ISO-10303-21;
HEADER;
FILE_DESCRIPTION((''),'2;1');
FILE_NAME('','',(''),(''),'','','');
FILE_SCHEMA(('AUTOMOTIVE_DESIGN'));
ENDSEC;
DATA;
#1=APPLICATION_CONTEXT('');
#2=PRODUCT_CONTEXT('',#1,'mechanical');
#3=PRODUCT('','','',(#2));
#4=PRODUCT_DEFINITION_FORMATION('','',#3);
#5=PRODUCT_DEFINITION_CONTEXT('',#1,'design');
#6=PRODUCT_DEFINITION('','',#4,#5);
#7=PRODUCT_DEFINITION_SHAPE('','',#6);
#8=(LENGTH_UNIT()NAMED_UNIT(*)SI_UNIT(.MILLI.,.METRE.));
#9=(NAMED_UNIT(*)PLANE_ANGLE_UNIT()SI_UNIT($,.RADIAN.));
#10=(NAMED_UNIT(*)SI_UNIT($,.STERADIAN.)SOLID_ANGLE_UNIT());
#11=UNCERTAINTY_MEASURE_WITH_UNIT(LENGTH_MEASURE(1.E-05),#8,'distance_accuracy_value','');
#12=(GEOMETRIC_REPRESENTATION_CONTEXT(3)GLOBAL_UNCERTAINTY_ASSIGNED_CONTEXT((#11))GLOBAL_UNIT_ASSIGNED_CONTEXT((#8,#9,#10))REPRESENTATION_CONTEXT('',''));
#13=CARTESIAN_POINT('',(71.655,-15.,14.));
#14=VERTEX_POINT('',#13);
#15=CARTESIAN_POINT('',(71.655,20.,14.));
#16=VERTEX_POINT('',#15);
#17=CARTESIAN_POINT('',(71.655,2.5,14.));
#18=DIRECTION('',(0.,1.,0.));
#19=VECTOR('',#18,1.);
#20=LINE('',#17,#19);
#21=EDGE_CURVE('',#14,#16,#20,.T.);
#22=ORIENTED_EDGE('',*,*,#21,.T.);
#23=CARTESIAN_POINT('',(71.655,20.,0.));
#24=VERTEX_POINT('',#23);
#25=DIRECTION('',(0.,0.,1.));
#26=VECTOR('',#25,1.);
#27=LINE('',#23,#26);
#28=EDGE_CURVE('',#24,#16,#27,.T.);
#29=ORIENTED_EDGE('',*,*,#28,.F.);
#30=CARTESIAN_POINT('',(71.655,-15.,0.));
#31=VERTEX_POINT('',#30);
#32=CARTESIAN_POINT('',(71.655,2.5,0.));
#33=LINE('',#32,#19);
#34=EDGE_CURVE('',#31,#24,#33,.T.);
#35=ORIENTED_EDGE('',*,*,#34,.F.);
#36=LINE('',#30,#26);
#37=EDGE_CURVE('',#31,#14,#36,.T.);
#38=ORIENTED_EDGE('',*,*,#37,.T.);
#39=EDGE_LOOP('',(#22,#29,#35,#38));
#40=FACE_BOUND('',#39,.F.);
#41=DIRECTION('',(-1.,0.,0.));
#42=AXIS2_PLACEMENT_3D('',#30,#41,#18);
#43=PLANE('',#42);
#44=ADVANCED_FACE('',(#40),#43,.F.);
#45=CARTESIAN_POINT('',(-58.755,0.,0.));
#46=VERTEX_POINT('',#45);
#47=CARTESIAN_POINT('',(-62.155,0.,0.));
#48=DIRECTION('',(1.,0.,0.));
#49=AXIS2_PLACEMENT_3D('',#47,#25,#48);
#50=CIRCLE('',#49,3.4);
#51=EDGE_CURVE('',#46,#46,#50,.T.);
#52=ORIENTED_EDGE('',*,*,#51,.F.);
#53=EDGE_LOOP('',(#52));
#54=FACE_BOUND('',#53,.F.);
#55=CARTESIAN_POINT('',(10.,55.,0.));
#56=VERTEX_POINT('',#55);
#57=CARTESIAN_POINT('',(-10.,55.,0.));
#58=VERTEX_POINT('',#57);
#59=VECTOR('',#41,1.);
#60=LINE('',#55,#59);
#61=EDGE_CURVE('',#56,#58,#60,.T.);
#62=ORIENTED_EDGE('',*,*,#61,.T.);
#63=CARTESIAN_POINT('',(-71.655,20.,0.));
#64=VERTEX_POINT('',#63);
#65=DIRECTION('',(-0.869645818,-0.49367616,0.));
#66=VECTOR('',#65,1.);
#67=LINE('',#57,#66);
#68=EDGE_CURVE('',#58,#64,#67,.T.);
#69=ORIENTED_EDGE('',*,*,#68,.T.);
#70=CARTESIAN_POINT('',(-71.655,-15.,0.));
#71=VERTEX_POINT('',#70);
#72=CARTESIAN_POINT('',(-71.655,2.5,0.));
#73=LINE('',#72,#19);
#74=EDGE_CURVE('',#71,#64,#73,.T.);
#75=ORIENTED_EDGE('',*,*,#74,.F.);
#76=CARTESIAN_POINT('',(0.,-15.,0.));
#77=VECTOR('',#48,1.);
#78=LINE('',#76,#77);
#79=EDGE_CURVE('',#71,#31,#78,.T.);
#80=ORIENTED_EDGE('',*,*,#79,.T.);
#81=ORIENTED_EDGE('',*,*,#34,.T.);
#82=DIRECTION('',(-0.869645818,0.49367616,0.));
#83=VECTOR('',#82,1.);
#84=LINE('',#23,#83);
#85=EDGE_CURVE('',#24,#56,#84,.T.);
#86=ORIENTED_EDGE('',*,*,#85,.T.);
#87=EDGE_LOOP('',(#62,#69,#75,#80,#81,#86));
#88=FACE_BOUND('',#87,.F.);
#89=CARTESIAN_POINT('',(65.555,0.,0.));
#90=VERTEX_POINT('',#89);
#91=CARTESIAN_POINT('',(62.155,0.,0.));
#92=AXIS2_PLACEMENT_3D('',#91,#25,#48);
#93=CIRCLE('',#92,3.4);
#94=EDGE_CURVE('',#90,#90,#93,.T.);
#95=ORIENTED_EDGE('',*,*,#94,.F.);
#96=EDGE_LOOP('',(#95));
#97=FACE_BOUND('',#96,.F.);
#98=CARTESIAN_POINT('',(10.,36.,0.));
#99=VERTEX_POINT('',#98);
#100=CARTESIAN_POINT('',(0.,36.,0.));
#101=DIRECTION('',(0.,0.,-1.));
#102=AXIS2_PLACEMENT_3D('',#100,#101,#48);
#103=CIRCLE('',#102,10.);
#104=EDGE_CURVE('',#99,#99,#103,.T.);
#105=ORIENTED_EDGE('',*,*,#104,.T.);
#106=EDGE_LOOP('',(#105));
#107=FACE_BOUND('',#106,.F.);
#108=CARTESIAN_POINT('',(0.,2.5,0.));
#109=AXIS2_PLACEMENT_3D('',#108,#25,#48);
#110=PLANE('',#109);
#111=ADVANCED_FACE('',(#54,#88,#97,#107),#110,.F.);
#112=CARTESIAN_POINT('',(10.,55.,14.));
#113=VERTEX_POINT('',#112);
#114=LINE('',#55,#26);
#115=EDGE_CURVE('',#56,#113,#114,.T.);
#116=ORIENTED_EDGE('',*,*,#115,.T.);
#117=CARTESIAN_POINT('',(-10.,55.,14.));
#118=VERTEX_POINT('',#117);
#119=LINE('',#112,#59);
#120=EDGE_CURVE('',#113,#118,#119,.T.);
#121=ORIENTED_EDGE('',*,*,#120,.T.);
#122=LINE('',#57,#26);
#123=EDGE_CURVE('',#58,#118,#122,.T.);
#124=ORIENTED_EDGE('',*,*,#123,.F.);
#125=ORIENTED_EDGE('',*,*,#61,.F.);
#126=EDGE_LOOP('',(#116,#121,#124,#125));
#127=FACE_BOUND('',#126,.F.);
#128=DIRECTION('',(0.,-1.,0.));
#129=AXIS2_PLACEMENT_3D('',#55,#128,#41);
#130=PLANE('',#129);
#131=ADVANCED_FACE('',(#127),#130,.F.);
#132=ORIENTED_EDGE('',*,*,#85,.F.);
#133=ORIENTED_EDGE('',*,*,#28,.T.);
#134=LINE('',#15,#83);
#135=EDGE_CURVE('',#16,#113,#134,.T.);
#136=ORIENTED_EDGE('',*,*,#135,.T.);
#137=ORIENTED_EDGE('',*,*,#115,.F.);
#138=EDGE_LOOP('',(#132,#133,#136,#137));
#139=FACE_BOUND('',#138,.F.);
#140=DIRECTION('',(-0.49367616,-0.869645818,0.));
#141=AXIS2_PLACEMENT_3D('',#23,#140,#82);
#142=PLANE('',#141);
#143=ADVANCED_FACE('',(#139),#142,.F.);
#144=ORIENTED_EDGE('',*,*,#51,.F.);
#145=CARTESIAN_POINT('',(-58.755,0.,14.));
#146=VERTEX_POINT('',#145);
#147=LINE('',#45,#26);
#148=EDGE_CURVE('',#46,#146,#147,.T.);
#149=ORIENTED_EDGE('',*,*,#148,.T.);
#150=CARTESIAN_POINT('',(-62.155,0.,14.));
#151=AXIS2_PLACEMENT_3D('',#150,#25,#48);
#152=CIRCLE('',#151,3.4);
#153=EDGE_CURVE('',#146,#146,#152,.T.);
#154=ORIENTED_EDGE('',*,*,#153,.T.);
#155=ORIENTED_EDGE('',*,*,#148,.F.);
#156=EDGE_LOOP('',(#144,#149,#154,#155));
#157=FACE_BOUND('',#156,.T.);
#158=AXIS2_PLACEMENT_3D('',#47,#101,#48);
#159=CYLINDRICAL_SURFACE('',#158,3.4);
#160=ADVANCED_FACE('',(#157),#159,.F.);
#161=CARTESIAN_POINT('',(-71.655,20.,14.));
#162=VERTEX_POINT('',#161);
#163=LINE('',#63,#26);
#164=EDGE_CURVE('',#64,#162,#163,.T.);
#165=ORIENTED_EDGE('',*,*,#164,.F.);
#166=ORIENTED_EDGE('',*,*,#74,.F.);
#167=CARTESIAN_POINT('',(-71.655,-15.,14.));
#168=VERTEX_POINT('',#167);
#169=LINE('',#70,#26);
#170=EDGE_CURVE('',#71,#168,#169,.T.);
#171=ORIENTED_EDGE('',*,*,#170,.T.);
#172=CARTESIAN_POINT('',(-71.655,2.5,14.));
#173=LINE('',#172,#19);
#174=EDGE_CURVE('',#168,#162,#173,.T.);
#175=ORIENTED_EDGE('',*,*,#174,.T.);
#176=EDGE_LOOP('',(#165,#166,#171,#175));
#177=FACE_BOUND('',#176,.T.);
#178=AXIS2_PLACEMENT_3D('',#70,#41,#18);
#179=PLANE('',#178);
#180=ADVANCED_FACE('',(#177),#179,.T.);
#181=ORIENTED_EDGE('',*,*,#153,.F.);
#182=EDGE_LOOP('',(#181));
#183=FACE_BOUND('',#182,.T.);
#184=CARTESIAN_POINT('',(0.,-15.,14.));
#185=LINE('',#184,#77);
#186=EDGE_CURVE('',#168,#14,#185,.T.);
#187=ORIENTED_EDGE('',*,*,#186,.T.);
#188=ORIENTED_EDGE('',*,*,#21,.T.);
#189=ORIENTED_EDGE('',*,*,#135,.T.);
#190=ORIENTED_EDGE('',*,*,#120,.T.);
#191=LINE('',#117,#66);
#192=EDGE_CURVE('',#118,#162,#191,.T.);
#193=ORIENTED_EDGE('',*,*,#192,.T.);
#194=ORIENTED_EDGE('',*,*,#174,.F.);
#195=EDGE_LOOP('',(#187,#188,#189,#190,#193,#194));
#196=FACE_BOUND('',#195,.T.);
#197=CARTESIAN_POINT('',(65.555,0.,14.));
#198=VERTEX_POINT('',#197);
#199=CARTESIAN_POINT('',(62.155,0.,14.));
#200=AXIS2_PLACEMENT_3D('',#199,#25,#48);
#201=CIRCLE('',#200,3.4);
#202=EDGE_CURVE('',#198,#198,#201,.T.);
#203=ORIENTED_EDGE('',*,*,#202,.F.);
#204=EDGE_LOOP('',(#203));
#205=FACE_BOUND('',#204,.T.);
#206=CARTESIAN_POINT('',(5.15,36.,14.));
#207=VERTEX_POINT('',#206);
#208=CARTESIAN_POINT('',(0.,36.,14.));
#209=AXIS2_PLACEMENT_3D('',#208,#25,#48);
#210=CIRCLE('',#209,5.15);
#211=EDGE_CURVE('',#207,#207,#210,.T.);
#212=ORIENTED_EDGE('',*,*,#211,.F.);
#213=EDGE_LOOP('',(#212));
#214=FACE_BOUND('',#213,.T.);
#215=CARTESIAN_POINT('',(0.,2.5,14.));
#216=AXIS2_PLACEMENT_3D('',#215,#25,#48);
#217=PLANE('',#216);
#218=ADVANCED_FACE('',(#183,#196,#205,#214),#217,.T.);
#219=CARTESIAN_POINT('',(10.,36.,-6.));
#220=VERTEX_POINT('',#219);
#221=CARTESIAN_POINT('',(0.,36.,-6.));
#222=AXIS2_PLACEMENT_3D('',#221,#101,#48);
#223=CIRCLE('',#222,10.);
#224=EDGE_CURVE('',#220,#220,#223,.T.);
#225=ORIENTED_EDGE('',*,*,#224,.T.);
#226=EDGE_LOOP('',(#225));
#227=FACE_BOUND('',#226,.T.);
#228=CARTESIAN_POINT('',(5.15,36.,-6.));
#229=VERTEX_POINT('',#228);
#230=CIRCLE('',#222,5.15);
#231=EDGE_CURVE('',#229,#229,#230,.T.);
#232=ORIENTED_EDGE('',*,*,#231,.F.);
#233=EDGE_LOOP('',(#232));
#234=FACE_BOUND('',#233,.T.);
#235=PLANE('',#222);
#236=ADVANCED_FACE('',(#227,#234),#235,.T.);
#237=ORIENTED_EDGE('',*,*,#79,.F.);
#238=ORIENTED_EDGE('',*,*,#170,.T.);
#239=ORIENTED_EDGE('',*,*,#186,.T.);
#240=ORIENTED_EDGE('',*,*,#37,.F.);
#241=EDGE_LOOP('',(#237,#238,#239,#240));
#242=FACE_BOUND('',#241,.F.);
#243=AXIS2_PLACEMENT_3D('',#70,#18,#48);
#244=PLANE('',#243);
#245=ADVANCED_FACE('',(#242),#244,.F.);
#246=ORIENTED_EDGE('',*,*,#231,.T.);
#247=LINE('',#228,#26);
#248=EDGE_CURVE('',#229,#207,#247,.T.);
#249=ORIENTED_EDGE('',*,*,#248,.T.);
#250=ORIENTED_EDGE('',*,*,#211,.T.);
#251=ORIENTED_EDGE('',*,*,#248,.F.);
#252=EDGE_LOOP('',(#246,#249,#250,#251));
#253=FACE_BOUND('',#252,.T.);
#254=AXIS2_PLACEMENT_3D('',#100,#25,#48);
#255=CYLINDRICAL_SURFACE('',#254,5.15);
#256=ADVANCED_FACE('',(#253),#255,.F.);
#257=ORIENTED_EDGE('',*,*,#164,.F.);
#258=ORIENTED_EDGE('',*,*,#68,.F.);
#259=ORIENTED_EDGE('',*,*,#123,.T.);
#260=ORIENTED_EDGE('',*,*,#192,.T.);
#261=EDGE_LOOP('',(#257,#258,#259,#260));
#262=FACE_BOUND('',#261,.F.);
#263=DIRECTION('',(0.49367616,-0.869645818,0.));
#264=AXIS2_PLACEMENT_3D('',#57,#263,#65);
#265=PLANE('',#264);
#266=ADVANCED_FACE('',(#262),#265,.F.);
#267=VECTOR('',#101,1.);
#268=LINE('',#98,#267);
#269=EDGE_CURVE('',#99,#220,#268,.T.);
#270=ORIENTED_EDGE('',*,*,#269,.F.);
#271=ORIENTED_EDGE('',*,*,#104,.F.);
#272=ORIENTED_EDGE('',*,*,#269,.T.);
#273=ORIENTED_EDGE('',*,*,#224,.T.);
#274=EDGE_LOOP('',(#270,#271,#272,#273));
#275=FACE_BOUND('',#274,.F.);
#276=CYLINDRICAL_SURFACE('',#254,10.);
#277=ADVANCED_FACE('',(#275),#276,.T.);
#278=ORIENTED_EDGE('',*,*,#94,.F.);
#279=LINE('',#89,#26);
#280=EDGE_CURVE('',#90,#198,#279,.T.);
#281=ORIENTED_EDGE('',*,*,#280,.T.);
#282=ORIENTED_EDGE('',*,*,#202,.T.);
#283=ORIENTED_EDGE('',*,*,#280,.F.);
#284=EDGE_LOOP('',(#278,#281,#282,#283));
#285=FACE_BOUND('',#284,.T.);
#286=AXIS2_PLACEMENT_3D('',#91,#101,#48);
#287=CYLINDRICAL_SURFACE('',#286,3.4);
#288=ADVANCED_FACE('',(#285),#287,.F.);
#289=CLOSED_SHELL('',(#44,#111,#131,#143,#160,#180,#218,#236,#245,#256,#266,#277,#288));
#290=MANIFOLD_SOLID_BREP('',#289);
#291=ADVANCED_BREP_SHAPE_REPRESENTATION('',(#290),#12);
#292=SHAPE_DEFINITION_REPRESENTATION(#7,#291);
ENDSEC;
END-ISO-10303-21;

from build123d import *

# Parameters (mm, degrees)
F0_W     = 143.31
F0_H     = 35
F0_R     = 3.4
F0_R_2   = 5.15
F1_DEPTH = 14
F2_R     = 10
F2_R_2   = 5.15
F3_DEPTH = 6


with BuildPart() as f1:
    # F0 (on Top) → F1 (new body)
    with BuildSketch(Plane.XY):
        with Locations((0, 2.5)):
            Rectangle(F0_W, F0_H)
        with Locations((-62.155, 0)):
            Circle(F0_R, mode=Mode.SUBTRACT)
        with Locations((62.155, 0)):
            Circle(F0_R, mode=Mode.SUBTRACT)
        Polygon((-10, 55), (-71.655, 20), (71.655, 20), (10, 55), align=None)
        with Locations((0, 36)):
            Circle(F0_R_2, mode=Mode.SUBTRACT)
    extrude(amount=F1_DEPTH)

    # F2 (on face) → F3 (join)
    with BuildSketch(Plane(origin=(0, 0, 0), x_dir=(1, 0, 0), z_dir=(0, 0, -1))):
        with Locations((0, -36)):
            Circle(F2_R)
        with Locations((0, -36)):
            Circle(F2_R_2, mode=Mode.SUBTRACT)
    extrude(amount=F3_DEPTH)


solid = f1.part
